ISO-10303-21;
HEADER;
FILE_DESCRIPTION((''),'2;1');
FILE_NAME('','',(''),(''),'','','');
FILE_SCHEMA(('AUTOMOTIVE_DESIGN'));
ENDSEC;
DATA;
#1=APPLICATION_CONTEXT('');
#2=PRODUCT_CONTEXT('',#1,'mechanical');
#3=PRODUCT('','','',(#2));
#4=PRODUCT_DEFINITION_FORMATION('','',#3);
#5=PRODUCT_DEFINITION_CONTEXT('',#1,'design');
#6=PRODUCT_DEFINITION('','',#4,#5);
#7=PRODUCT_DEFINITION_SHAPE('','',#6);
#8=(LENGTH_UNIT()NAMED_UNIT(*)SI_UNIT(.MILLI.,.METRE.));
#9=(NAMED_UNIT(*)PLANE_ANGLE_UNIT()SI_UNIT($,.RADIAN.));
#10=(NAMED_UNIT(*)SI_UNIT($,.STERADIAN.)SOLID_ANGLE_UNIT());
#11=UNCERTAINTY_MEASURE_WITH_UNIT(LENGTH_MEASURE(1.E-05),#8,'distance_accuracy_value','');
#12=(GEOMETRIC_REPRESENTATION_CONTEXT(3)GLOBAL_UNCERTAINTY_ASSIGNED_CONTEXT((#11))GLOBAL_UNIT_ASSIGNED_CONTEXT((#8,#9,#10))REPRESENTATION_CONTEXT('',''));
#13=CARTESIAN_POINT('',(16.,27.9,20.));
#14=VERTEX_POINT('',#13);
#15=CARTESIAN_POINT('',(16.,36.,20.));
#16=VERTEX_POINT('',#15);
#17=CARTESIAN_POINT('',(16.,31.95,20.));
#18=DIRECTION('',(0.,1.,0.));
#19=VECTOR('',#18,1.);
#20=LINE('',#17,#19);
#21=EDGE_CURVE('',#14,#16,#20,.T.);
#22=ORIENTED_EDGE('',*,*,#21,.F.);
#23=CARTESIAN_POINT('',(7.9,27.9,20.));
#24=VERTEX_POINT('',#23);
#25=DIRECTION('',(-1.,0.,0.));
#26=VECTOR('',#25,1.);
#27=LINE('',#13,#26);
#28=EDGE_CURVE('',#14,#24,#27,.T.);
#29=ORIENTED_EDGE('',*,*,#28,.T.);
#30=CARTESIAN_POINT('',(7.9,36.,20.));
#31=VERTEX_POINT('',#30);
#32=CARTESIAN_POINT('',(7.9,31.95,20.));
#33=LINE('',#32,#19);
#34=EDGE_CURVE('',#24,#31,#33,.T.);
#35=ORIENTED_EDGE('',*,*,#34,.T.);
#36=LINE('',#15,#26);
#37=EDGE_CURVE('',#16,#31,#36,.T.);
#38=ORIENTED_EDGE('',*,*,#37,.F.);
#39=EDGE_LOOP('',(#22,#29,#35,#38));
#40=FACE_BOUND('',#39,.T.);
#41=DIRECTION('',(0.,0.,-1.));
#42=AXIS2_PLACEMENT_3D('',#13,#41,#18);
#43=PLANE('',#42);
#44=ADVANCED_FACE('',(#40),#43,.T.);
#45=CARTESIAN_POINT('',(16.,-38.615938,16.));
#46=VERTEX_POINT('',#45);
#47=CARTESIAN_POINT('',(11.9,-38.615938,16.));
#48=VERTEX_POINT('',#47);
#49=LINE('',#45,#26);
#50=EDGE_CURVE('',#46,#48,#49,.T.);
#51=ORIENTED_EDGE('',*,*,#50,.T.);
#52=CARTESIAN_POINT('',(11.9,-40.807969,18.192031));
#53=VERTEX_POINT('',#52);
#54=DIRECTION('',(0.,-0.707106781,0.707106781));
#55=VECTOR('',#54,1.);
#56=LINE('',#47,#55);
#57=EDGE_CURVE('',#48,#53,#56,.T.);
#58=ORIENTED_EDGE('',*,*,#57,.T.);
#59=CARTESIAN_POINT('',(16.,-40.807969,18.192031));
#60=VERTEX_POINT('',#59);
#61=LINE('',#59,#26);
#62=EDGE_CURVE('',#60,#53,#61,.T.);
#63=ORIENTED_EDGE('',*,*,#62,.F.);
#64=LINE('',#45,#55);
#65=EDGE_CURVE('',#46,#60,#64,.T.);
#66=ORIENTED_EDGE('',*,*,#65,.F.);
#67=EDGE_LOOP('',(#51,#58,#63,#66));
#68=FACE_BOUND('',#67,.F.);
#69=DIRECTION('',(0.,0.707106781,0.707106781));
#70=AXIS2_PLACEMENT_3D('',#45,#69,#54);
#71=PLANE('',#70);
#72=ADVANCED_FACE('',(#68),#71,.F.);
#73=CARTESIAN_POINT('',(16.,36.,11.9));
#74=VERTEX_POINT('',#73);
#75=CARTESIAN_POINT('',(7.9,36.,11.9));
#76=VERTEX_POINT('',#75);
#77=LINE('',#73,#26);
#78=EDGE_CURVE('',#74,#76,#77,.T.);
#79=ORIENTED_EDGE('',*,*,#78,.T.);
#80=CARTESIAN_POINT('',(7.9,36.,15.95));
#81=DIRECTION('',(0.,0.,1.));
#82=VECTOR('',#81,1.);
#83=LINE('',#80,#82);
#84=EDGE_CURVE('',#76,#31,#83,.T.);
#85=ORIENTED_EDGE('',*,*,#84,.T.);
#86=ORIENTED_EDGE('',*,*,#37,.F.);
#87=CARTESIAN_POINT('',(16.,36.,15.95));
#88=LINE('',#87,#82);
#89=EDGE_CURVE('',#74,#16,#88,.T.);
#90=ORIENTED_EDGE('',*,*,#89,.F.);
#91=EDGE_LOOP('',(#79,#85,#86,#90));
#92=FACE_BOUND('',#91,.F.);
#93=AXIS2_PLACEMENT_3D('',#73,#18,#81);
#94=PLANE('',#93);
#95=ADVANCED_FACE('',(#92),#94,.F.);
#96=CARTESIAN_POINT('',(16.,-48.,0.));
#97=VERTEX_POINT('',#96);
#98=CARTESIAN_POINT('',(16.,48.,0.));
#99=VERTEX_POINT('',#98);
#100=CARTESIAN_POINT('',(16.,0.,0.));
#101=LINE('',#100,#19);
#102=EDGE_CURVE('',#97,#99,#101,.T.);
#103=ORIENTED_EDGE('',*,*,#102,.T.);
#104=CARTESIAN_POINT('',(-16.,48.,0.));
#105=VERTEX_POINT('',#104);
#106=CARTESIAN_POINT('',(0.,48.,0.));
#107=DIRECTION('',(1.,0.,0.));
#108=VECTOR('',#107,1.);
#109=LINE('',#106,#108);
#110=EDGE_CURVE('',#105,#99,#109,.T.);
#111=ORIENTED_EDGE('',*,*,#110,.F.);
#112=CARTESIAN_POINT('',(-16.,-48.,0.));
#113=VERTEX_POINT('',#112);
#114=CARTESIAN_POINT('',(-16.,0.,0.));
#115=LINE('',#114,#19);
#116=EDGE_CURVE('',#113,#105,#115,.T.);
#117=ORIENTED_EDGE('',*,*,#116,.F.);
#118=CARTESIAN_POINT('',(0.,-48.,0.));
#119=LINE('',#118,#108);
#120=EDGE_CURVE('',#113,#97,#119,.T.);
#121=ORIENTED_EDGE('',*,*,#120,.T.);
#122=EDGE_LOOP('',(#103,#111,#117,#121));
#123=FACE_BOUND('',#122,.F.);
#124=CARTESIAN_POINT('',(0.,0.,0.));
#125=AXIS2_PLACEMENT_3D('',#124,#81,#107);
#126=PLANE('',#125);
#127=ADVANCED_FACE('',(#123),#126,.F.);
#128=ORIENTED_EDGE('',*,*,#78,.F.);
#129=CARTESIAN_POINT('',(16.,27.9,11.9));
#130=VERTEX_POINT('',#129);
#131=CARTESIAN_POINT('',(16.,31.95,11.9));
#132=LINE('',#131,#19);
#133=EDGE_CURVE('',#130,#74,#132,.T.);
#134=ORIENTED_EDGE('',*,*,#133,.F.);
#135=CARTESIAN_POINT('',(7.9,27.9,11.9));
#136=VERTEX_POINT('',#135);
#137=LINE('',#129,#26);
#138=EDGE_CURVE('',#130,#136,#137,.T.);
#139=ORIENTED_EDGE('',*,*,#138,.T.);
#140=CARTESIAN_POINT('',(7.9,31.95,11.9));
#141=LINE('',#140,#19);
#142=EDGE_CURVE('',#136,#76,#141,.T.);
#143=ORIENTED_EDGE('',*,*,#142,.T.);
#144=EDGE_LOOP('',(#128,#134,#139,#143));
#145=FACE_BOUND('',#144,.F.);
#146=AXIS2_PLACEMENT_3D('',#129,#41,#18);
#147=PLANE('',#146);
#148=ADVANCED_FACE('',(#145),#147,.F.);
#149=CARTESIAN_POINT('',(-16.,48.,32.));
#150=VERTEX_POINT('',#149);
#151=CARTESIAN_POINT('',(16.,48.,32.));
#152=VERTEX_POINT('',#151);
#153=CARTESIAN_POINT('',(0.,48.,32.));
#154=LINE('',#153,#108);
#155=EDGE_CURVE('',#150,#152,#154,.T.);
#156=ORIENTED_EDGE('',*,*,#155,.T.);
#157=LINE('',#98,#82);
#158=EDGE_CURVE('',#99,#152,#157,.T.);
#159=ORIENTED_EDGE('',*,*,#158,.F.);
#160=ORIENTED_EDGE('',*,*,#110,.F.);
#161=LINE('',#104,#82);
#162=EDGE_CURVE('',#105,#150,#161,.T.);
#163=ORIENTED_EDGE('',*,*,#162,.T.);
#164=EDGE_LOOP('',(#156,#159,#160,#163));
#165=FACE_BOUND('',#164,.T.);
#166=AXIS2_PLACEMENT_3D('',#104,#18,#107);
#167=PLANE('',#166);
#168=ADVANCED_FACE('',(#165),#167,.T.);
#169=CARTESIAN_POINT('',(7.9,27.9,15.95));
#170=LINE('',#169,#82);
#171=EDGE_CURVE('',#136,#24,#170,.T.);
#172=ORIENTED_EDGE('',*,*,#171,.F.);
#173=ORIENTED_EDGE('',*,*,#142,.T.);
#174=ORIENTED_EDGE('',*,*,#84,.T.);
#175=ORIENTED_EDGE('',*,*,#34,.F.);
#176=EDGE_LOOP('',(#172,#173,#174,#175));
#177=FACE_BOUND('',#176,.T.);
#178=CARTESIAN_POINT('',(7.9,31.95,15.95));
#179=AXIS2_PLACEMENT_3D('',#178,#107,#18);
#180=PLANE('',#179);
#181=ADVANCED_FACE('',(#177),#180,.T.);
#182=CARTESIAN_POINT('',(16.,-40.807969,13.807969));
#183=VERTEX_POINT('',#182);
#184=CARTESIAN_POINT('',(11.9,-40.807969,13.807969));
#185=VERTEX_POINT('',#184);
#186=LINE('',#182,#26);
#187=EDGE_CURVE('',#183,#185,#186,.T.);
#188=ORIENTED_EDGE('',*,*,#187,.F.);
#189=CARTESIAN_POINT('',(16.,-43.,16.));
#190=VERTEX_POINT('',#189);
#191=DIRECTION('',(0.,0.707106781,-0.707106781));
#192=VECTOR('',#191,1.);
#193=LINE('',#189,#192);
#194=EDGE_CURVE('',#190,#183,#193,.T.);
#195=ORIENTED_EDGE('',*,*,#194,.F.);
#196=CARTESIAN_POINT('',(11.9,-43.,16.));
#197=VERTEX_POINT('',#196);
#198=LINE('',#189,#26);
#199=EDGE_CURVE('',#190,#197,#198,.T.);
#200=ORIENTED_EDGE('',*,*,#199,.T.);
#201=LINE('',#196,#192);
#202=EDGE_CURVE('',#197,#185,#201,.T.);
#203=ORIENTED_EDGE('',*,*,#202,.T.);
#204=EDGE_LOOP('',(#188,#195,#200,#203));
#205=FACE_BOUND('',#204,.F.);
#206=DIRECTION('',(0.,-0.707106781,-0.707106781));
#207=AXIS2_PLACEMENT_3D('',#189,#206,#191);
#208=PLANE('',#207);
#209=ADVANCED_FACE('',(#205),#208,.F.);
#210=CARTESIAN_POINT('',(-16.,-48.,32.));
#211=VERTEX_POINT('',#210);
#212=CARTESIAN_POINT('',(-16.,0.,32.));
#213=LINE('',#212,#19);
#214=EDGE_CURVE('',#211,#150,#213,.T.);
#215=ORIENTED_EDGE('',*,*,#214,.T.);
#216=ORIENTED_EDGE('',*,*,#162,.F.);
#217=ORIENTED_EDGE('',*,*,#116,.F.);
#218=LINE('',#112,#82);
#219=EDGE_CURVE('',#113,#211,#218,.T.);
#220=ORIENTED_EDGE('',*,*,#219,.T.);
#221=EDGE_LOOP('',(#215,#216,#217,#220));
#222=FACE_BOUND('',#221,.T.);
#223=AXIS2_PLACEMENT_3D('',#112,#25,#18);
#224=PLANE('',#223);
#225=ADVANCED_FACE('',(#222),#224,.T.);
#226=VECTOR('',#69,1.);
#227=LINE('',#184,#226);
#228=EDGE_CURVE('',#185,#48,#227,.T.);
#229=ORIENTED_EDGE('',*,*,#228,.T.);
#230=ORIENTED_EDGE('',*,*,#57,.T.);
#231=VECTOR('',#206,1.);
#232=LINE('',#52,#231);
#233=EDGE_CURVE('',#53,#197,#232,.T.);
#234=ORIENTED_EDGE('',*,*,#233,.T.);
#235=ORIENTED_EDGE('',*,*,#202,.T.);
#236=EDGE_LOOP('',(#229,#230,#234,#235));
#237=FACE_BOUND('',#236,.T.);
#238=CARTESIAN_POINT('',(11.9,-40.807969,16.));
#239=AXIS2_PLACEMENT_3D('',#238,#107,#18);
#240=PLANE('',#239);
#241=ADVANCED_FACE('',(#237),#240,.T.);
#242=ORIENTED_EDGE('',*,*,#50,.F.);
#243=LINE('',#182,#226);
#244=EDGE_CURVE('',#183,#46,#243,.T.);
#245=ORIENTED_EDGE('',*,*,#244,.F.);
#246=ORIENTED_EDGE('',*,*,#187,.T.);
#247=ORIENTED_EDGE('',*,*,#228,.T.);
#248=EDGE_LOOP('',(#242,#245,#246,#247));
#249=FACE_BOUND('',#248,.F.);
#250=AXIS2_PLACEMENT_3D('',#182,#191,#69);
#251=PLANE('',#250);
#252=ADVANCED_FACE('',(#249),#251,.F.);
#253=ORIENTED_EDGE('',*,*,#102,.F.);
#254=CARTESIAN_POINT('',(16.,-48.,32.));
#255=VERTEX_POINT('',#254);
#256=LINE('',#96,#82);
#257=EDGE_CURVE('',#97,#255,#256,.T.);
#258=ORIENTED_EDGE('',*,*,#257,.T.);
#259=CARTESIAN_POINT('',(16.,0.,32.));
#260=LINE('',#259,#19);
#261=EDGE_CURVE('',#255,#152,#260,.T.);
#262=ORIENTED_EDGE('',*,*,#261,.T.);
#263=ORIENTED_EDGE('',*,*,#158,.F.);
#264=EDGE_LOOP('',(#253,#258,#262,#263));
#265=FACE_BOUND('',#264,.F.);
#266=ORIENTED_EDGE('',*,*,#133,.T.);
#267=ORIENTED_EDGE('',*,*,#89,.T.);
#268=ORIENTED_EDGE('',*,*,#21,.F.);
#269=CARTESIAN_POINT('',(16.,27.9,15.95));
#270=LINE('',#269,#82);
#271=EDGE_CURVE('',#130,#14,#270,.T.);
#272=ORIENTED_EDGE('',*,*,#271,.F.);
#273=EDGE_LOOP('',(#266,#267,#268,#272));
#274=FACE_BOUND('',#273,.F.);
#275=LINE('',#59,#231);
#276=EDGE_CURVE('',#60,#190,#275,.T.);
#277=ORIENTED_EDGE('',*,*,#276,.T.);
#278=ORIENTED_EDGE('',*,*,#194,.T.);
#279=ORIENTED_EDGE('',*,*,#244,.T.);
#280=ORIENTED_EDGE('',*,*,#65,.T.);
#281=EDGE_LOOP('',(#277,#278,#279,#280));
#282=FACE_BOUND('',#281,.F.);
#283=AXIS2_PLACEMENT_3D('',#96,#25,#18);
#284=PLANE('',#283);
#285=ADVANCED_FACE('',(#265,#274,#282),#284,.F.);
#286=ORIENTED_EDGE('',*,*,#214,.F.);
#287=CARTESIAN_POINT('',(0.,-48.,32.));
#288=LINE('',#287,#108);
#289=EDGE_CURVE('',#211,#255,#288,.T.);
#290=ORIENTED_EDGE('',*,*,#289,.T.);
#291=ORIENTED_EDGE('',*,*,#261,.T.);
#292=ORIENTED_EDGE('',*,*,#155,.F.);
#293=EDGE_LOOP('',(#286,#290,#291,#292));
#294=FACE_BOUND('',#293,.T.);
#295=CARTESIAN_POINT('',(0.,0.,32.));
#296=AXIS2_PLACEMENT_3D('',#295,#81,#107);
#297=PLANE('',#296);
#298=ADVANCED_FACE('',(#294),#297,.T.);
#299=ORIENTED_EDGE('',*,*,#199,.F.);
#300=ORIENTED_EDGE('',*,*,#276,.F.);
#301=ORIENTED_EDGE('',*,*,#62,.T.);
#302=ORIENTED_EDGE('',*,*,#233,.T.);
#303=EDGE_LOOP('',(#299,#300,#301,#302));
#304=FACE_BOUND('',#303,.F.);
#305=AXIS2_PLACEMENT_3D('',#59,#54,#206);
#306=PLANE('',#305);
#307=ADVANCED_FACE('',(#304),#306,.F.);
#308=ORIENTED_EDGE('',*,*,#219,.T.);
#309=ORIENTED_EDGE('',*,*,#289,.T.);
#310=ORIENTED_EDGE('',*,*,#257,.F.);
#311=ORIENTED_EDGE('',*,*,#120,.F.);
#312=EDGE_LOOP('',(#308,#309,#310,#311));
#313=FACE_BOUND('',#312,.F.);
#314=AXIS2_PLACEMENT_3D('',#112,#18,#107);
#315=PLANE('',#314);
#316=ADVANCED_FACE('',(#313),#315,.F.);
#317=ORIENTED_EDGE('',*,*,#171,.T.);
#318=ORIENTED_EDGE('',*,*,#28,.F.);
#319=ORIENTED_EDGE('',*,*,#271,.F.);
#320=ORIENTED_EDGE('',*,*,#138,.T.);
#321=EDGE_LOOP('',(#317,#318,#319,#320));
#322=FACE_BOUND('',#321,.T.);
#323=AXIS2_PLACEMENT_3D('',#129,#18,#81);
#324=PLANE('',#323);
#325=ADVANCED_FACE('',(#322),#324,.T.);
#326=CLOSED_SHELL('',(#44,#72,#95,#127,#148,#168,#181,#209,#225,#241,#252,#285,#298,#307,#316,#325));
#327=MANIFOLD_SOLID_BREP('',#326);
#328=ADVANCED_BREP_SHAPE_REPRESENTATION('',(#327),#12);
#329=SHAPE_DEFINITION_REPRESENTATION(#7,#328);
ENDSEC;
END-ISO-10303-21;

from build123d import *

# Parameters (mm, degrees)
F0_W     = 32
F0_H     = 96
F1_DEPTH = 32
F2_W     = 8.1
F2_H     = 8.1
F3_DEPTH = 8.1
F5_DEPTH = 4.1


with BuildPart() as f1:
    # F0 (on Top) → F1 (new body)
    with BuildSketch(Plane.XY):
        Rectangle(F0_W, F0_H)
    extrude(amount=F1_DEPTH)

    # F2 (on face) → F3 (cut)
    with BuildSketch(Plane.YZ.offset(16)):
        with Locations((31.95, 15.95)):
            Rectangle(F2_W, F2_H)
    extrude(amount=-F3_DEPTH, mode=Mode.SUBTRACT)

    # F4 (on face) → F5 (cut)
    with BuildSketch(Plane.YZ.offset(16)):
        Polygon((-38.615938, 16), (-40.807969, 18.192031), (-43, 16), (-40.807969, 13.807969), align=None)
    extrude(amount=-F5_DEPTH, mode=Mode.SUBTRACT)


solid = f1.part
